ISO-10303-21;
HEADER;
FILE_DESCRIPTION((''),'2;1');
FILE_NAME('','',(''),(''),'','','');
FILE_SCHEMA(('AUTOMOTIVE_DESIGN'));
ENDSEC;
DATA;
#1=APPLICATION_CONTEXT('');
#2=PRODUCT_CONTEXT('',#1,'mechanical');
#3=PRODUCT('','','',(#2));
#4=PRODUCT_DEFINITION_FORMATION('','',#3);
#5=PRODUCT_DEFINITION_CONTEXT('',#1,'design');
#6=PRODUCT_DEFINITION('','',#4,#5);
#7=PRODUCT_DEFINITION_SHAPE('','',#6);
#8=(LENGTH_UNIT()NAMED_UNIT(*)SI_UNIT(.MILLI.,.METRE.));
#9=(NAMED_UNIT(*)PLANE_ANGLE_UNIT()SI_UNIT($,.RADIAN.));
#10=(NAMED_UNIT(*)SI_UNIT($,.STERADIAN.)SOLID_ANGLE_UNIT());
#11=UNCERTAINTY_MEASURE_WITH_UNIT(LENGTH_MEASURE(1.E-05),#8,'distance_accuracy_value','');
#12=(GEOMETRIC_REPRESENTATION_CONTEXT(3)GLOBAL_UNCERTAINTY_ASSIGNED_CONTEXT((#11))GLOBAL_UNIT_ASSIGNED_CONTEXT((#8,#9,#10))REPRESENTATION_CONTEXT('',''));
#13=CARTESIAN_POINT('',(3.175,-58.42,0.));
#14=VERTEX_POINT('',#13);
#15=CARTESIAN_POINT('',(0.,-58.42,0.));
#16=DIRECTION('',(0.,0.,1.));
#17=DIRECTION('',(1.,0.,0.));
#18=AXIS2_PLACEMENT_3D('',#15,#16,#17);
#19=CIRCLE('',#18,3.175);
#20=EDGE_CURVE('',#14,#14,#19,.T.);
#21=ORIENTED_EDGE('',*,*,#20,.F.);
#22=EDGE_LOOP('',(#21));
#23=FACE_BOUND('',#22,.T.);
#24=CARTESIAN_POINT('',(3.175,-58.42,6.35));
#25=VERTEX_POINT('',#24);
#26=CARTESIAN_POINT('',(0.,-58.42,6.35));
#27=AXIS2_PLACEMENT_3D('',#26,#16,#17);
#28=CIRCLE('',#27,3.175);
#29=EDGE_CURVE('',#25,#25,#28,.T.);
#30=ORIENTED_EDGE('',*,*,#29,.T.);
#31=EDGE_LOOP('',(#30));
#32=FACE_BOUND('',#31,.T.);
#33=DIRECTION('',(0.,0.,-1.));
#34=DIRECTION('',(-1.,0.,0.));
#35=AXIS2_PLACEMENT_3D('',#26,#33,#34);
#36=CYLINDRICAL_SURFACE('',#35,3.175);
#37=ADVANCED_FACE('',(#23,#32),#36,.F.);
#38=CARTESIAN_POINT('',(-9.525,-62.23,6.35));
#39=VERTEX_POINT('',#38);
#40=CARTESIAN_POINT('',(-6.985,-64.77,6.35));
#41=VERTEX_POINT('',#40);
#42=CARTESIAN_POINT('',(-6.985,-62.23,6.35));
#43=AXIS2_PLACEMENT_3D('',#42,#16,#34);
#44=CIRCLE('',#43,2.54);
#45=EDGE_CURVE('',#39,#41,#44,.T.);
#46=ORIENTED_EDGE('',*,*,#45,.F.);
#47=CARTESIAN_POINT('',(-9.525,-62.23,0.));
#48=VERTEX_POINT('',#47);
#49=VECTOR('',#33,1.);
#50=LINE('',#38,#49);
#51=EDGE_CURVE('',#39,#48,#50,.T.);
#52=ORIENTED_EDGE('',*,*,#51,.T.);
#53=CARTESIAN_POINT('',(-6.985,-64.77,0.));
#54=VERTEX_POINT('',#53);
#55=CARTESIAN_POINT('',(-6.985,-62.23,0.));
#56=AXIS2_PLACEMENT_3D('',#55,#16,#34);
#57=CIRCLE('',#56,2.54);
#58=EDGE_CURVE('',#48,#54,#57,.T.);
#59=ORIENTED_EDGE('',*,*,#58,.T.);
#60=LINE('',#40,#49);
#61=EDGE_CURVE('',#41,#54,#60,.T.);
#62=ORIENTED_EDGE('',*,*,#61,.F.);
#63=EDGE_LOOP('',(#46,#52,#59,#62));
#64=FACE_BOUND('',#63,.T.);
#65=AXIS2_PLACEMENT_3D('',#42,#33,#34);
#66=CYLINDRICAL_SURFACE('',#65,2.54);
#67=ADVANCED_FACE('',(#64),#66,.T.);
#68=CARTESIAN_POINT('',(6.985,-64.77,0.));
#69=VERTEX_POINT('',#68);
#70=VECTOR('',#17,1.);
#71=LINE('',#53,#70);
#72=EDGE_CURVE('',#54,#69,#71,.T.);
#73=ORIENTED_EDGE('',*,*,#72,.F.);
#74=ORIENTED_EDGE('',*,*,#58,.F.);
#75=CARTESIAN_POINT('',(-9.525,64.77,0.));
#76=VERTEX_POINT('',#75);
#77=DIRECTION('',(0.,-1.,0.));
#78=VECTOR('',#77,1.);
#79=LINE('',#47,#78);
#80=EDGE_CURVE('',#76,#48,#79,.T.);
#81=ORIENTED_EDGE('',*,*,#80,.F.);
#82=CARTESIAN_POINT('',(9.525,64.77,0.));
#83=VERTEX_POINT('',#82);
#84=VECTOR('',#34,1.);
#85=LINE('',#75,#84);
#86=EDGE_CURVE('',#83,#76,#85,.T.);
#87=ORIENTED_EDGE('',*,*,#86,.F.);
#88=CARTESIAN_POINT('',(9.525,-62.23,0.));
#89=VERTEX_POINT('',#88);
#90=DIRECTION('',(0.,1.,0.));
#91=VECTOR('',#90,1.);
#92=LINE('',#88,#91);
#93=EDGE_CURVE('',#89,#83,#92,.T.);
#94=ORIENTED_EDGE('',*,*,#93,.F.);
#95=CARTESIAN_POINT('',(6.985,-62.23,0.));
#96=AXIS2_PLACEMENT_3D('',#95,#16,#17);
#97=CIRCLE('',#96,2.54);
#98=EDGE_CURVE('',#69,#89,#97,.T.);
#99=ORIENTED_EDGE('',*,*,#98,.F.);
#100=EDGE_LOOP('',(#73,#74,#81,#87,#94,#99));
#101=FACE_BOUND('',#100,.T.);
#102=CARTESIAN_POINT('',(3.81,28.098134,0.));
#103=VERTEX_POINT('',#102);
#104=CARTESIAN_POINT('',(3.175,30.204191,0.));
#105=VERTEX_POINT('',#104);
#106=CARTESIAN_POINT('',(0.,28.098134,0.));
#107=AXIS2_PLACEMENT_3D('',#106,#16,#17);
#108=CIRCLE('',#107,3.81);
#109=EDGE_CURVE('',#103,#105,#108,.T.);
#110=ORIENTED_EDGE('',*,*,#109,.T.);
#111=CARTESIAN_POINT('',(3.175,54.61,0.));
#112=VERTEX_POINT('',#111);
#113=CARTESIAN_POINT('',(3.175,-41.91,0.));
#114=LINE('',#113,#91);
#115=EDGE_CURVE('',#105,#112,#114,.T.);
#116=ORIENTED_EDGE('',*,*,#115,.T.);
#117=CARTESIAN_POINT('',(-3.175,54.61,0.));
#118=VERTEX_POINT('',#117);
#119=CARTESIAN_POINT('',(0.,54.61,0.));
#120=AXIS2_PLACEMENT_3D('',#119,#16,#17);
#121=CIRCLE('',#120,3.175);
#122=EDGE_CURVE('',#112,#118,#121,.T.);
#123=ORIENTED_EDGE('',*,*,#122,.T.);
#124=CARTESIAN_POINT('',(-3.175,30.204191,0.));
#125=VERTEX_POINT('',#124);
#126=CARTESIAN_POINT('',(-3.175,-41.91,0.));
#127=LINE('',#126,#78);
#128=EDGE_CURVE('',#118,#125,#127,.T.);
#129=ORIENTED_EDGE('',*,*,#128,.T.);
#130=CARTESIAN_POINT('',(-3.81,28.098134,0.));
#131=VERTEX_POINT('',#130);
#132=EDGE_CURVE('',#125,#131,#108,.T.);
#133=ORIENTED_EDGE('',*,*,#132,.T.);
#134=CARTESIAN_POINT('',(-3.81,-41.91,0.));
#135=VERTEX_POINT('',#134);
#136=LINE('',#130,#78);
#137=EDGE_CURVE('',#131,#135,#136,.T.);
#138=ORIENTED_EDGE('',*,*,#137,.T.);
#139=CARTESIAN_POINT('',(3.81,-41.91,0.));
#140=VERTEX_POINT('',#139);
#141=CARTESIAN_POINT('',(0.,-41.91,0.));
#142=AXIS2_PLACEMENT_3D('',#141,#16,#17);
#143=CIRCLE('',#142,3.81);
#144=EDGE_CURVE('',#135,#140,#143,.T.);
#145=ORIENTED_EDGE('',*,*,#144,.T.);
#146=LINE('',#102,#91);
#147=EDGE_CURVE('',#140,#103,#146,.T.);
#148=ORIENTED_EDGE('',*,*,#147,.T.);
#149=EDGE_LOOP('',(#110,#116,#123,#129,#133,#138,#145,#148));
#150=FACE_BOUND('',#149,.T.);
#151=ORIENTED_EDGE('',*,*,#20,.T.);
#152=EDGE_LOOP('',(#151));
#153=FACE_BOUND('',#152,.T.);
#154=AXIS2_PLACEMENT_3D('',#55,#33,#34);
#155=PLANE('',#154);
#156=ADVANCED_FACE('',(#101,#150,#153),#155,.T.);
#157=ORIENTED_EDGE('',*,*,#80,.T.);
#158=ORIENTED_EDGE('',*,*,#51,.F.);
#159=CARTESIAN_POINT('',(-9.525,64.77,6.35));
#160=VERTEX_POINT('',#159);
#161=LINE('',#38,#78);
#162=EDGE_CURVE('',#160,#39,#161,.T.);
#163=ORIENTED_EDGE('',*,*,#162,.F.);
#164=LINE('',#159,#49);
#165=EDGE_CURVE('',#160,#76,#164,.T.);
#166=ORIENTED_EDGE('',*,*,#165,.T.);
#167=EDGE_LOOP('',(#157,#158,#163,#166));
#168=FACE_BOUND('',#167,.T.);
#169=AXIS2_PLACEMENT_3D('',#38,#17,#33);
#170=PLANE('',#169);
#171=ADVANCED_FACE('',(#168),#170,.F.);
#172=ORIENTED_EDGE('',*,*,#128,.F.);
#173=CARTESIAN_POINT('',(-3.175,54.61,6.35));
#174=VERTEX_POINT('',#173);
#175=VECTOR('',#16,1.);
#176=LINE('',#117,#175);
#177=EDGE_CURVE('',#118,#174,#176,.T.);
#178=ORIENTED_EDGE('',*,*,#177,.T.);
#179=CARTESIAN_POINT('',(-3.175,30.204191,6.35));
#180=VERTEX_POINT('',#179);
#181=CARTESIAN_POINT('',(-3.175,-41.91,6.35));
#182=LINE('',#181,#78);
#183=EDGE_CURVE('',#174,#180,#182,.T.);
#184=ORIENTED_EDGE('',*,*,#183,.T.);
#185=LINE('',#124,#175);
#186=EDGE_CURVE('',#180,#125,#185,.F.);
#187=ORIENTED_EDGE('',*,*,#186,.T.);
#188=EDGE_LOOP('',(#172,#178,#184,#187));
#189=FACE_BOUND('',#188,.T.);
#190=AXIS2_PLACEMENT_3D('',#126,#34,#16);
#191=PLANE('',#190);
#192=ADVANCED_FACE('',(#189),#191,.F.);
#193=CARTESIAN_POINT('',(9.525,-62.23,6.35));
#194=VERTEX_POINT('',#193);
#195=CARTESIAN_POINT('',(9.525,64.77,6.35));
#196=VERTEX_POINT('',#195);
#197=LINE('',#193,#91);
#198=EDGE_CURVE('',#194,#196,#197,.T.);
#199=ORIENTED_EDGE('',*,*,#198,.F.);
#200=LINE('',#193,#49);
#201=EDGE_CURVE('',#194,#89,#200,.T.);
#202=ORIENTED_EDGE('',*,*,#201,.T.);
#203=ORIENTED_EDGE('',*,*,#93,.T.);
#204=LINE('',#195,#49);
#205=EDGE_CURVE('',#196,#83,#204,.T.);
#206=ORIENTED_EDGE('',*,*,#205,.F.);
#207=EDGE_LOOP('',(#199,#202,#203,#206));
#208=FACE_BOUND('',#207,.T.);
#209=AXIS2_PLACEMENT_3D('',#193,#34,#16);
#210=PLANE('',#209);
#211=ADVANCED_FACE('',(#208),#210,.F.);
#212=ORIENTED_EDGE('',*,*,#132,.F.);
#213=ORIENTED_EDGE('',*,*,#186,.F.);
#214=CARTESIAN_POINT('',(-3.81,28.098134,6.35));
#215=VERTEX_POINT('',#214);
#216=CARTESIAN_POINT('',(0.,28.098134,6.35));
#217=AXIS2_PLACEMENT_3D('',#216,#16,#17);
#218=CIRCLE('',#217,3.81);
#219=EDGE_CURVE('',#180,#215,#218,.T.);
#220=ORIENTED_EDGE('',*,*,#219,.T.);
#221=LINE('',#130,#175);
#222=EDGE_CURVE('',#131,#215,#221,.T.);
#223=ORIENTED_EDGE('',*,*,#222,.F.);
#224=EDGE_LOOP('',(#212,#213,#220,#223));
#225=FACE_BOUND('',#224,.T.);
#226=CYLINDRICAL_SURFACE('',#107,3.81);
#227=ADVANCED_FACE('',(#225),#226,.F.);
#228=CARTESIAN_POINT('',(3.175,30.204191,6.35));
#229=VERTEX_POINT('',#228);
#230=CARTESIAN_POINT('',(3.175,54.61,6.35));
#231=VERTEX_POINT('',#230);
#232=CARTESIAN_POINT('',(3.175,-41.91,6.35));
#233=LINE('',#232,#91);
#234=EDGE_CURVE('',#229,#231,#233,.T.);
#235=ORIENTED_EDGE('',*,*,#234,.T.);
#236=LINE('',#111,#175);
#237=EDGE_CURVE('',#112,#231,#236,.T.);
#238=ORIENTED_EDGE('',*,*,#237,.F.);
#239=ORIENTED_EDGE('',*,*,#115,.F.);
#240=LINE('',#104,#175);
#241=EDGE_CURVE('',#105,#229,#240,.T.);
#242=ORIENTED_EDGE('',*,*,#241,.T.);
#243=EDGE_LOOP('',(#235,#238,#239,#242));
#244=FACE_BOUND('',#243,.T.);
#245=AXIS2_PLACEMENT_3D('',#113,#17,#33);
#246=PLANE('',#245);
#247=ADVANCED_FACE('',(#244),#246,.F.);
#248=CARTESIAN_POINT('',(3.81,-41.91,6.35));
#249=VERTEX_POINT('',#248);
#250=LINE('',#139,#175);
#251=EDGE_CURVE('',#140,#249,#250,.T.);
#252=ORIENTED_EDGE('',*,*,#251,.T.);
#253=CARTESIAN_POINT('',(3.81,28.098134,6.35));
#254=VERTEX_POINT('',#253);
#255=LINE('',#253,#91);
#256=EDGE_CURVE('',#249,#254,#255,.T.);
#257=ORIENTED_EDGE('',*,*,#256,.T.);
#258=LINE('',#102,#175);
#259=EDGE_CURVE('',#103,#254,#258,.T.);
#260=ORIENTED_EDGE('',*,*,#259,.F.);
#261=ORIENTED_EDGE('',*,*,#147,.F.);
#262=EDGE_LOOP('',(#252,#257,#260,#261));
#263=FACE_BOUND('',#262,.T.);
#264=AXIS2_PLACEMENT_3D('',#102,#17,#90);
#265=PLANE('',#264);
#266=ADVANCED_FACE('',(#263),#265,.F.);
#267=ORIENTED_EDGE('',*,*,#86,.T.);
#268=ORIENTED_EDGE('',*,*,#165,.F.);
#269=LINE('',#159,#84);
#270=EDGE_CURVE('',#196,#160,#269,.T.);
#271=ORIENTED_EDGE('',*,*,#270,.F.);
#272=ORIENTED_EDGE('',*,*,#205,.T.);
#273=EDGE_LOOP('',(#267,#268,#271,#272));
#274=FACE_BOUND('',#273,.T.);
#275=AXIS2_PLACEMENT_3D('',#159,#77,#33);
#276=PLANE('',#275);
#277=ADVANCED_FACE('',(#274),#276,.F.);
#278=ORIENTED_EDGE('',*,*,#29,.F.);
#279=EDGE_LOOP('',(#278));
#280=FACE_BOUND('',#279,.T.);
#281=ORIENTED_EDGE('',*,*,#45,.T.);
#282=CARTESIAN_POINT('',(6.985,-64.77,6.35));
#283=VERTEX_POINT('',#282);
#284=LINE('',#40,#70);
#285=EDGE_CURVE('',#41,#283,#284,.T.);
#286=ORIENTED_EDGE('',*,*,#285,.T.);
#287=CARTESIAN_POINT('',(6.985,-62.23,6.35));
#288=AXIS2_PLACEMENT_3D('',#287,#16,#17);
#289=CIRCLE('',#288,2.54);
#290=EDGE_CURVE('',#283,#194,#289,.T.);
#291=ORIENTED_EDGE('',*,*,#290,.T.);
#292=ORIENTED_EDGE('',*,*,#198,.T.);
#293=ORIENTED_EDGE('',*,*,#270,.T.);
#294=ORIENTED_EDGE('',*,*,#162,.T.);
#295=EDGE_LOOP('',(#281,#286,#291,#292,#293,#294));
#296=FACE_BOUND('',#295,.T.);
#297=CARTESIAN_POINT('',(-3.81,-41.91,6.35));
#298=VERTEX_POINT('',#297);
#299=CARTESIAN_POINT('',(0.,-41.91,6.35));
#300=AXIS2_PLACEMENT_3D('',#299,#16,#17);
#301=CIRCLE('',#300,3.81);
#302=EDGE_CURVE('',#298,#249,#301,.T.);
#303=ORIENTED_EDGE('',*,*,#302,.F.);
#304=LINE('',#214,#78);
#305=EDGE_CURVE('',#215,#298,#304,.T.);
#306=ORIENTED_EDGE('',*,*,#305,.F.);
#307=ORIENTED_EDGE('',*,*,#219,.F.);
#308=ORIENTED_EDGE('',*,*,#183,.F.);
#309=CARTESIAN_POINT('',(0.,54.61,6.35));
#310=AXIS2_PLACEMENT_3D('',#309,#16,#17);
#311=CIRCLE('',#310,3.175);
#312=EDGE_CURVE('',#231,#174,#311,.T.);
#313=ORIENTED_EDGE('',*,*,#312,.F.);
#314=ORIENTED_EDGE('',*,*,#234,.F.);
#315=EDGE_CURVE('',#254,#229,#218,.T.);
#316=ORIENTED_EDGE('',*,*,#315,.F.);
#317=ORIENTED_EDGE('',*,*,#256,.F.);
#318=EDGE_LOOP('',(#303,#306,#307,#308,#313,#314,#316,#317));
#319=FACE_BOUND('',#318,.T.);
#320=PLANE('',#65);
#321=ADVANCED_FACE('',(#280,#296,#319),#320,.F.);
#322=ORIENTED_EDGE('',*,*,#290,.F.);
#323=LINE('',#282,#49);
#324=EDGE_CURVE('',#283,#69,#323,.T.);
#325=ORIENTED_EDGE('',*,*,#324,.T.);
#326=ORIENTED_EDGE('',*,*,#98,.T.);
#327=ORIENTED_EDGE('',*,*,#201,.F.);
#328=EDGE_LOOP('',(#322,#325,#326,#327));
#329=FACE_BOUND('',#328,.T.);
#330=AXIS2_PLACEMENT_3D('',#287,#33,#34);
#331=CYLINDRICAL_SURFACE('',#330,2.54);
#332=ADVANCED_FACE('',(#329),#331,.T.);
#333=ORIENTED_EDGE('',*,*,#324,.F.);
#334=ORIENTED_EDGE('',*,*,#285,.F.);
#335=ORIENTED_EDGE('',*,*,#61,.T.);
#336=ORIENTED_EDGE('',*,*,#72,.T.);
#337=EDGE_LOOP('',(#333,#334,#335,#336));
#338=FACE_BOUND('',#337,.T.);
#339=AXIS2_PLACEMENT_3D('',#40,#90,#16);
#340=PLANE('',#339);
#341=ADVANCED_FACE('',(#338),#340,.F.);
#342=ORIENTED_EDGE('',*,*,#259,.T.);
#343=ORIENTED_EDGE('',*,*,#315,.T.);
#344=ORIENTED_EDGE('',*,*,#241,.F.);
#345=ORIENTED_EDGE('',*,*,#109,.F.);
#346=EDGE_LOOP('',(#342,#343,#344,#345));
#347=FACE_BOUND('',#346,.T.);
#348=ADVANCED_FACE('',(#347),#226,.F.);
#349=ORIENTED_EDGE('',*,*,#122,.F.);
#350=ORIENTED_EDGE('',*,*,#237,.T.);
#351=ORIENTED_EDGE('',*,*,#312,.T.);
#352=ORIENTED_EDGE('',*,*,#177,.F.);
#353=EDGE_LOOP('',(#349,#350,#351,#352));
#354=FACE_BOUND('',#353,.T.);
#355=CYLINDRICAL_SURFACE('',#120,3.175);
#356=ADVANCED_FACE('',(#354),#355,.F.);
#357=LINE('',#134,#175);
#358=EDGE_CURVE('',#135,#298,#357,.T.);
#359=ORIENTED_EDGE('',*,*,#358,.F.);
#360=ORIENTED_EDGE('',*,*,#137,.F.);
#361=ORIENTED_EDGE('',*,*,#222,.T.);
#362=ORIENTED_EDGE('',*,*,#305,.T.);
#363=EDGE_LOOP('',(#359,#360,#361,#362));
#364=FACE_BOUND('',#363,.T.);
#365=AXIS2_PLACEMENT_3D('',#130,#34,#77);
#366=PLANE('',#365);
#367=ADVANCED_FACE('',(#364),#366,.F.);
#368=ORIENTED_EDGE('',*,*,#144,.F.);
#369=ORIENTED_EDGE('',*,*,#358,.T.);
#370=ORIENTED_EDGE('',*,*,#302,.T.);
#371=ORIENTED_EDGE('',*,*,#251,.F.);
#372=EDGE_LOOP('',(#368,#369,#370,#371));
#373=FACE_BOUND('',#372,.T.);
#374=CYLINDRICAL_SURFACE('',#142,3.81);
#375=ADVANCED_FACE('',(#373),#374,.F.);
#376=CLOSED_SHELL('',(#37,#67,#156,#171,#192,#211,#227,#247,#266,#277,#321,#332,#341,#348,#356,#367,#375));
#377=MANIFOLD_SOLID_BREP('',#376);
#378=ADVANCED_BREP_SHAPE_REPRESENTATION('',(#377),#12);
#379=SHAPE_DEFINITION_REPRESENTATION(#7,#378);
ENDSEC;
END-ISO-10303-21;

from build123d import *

# Parameters (mm, degrees)
SKETCH1_R               = 3.175
BOSS_EXTRUDE1_DEPTH     = 6.35
CUT_EXTRUDE1_DEPTH      = 1
CUT_EXTRUDE1_DEPTH_BACK = 7.35
CUT_EXTRUDE2_DEPTH      = 7.35


with BuildPart() as part:
    # Sketch1 → Boss-Extrude1 (new body)
    with BuildSketch(Plane.XY):
        with BuildLine():
            Line((-6.985, -64.77), (6.985, -64.77))
            ThreePointArc((6.985, -64.77), (8.781051224, -64.026051224), (9.525, -62.23))
            Line((9.525, -62.23), (9.525, 64.77))
            Line((9.525, 64.77), (-9.525, 64.77))
            Line((-9.525, 64.77), (-9.525, -62.23))
            ThreePointArc((-9.525, -62.23), (-8.781051224, -64.026051224), (-6.985, -64.77))
        make_face()
        with Locations((0, -58.42)):
            Circle(SKETCH1_R, mode=Mode.SUBTRACT)
    extrude(amount=BOSS_EXTRUDE1_DEPTH)

    # Sketch2 → Cut-Extrude1 (cut, two sides)
    with BuildSketch(Plane.XY.offset(6.35)) as cut_extrude1_sk:
        with BuildLine():
            Line((-3.175, -41.91), (-3.175, 54.61))
            ThreePointArc((-3.175, 54.61), (0, 57.785), (3.175, 54.61))
            Line((3.175, 54.61), (3.175, -41.91))
            ThreePointArc((3.175, -41.91), (0, -45.085), (-3.175, -41.91))
        make_face()
    extrude(amount=CUT_EXTRUDE1_DEPTH, mode=Mode.SUBTRACT)
    extrude(cut_extrude1_sk.sketch, amount=-CUT_EXTRUDE1_DEPTH_BACK, mode=Mode.SUBTRACT)

    # Sketch3 → Cut-Extrude2 (cut, through all)
    with BuildSketch(Plane.XY.offset(6.35)):
        with BuildLine():
            Line((3.81, 28.098134356), (3.81, -41.91))
            ThreePointArc((3.81, -41.91), (0, -45.72), (-3.81, -41.91))
            Line((-3.81, -41.91), (-3.81, 28.098134356))
            ThreePointArc((-3.81, 28.098134356), (0, 31.908134356), (3.81, 28.098134356))
        make_face()
    extrude(amount=-CUT_EXTRUDE2_DEPTH, mode=Mode.SUBTRACT)


solid = part.part
